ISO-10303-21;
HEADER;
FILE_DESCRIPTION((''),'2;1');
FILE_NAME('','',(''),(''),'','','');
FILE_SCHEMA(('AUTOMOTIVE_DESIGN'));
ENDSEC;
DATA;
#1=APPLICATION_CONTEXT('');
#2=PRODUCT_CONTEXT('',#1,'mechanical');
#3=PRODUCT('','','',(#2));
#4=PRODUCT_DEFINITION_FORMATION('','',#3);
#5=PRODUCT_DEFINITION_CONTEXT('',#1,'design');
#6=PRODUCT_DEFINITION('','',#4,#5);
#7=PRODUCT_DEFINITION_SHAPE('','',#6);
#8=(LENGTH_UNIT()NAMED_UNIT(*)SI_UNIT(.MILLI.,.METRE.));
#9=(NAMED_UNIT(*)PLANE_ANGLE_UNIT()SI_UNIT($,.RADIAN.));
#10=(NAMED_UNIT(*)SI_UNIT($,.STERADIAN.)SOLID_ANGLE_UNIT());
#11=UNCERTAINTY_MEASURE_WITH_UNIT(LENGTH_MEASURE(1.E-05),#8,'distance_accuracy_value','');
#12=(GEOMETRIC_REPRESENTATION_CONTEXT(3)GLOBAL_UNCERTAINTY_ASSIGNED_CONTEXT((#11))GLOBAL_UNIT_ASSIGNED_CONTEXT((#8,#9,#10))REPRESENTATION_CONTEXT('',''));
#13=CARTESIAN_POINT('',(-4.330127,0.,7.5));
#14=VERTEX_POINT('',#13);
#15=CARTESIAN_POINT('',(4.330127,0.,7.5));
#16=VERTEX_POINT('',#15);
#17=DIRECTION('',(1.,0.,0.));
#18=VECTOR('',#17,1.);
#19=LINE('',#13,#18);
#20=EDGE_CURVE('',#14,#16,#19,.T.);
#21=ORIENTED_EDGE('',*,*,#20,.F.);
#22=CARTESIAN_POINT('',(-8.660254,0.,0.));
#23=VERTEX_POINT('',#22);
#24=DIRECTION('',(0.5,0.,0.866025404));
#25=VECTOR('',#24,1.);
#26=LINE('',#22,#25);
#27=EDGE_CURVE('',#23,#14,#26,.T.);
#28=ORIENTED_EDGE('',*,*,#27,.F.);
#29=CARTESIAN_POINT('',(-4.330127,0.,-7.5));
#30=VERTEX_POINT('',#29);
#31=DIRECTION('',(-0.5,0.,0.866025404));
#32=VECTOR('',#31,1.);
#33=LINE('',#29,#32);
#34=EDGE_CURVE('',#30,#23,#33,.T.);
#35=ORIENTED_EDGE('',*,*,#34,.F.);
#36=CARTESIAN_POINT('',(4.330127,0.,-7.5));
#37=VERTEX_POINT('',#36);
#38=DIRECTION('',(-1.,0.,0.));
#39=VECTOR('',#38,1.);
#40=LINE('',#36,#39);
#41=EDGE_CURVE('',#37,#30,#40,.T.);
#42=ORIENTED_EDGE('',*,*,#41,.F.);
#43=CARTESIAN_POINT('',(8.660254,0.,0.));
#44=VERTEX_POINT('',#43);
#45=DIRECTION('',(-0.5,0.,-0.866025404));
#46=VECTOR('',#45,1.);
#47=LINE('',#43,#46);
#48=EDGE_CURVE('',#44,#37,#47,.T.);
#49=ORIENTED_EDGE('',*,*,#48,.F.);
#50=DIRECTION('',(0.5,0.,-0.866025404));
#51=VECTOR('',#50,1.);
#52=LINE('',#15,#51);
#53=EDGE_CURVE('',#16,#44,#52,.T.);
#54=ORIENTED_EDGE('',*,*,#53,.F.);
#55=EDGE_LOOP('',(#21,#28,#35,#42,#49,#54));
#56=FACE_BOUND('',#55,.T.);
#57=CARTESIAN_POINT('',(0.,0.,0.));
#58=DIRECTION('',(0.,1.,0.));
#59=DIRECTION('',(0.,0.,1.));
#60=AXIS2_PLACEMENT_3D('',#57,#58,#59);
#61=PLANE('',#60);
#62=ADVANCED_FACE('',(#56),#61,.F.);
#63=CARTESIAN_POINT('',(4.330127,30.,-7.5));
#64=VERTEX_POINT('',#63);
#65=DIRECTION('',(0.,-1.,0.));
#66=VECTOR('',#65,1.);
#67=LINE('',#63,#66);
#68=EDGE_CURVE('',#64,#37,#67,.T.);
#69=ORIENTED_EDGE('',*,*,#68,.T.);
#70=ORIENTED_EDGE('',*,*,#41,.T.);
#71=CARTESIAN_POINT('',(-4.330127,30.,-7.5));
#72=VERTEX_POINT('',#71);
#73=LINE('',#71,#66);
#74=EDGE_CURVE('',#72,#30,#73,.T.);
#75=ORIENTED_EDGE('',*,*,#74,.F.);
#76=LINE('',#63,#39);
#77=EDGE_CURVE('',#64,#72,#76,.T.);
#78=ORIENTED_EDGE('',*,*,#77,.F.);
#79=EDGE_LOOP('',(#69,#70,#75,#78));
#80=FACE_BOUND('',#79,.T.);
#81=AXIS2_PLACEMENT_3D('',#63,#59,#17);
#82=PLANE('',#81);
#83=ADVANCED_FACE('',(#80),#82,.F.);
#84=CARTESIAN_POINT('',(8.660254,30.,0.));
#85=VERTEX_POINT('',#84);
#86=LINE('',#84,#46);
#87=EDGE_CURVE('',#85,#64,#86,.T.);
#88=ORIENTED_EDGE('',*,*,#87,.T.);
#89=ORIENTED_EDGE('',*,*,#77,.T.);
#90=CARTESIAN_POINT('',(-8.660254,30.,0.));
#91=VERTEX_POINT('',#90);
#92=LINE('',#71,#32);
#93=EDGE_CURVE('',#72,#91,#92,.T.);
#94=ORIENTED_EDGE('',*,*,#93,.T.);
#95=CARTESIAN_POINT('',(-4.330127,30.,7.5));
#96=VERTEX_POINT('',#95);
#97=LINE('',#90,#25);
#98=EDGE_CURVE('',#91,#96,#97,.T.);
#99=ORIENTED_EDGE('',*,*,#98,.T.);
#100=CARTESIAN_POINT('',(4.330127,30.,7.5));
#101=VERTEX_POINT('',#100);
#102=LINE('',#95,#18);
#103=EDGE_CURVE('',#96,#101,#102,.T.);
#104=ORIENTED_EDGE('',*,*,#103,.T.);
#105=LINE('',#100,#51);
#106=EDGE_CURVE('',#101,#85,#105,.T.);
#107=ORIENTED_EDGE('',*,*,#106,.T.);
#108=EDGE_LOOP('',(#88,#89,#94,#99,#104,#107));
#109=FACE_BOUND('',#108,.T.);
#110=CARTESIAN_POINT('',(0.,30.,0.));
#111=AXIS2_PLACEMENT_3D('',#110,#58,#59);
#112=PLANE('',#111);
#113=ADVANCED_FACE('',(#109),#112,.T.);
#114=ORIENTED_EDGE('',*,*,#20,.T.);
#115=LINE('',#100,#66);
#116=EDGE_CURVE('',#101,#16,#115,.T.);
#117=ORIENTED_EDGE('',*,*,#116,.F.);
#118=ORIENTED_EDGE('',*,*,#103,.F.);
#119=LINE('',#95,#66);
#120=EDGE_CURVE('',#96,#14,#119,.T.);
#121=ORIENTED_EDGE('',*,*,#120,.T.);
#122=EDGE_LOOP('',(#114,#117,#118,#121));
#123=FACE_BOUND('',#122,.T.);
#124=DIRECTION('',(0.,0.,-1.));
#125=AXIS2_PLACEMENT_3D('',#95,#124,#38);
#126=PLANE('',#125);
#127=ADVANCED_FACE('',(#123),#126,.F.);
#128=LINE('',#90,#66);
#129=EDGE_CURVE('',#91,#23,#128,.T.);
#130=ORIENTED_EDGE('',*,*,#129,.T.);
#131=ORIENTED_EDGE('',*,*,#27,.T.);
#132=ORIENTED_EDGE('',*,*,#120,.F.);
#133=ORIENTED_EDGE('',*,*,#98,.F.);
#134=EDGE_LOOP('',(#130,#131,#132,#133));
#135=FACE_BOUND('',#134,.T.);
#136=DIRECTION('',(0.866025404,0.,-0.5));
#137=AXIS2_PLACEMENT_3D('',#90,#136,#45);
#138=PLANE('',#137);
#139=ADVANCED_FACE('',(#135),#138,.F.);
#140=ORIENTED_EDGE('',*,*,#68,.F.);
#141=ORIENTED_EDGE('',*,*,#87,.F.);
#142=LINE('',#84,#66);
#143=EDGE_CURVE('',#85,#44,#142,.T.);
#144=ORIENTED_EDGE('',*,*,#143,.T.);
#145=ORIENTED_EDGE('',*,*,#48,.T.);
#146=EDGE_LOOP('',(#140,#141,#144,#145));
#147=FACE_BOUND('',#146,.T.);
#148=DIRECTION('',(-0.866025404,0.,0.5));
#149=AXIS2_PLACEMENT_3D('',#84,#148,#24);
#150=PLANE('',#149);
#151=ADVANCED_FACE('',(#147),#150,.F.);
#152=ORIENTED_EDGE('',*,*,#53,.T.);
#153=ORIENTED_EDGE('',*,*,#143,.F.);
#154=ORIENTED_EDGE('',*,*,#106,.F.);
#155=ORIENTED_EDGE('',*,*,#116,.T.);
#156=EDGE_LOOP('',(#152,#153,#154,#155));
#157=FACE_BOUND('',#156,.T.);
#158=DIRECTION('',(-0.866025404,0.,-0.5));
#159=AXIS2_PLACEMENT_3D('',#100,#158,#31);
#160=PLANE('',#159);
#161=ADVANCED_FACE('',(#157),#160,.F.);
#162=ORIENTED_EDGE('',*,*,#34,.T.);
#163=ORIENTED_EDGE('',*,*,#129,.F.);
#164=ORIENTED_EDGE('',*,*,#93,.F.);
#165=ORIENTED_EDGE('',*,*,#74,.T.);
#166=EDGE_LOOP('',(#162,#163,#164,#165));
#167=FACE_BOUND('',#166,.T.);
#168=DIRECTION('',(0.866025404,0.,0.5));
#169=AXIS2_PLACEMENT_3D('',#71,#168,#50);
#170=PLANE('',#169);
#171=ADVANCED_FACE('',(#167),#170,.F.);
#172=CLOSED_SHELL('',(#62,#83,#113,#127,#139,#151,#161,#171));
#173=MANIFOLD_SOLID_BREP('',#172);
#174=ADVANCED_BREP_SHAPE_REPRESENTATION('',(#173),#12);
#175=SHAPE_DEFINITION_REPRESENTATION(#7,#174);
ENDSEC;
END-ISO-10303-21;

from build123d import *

# Parameters (mm, degrees)
EXTRUDE_1_DEPTH = 30


with BuildPart() as part:
    # 草图1 → 凸台-拉伸1 (new body)
    with BuildSketch(Plane(origin=(0, 0, 0), x_dir=(1, 0, 0), z_dir=(0, 1, 0))):
        Polygon((8.660254038, 0), (4.330127019, 7.5), (-4.330127019, 7.5), (-8.660254038, 0), (-4.330127019, -7.5), (4.330127019, -7.5), align=None)
    extrude(amount=EXTRUDE_1_DEPTH)


solid = part.part
